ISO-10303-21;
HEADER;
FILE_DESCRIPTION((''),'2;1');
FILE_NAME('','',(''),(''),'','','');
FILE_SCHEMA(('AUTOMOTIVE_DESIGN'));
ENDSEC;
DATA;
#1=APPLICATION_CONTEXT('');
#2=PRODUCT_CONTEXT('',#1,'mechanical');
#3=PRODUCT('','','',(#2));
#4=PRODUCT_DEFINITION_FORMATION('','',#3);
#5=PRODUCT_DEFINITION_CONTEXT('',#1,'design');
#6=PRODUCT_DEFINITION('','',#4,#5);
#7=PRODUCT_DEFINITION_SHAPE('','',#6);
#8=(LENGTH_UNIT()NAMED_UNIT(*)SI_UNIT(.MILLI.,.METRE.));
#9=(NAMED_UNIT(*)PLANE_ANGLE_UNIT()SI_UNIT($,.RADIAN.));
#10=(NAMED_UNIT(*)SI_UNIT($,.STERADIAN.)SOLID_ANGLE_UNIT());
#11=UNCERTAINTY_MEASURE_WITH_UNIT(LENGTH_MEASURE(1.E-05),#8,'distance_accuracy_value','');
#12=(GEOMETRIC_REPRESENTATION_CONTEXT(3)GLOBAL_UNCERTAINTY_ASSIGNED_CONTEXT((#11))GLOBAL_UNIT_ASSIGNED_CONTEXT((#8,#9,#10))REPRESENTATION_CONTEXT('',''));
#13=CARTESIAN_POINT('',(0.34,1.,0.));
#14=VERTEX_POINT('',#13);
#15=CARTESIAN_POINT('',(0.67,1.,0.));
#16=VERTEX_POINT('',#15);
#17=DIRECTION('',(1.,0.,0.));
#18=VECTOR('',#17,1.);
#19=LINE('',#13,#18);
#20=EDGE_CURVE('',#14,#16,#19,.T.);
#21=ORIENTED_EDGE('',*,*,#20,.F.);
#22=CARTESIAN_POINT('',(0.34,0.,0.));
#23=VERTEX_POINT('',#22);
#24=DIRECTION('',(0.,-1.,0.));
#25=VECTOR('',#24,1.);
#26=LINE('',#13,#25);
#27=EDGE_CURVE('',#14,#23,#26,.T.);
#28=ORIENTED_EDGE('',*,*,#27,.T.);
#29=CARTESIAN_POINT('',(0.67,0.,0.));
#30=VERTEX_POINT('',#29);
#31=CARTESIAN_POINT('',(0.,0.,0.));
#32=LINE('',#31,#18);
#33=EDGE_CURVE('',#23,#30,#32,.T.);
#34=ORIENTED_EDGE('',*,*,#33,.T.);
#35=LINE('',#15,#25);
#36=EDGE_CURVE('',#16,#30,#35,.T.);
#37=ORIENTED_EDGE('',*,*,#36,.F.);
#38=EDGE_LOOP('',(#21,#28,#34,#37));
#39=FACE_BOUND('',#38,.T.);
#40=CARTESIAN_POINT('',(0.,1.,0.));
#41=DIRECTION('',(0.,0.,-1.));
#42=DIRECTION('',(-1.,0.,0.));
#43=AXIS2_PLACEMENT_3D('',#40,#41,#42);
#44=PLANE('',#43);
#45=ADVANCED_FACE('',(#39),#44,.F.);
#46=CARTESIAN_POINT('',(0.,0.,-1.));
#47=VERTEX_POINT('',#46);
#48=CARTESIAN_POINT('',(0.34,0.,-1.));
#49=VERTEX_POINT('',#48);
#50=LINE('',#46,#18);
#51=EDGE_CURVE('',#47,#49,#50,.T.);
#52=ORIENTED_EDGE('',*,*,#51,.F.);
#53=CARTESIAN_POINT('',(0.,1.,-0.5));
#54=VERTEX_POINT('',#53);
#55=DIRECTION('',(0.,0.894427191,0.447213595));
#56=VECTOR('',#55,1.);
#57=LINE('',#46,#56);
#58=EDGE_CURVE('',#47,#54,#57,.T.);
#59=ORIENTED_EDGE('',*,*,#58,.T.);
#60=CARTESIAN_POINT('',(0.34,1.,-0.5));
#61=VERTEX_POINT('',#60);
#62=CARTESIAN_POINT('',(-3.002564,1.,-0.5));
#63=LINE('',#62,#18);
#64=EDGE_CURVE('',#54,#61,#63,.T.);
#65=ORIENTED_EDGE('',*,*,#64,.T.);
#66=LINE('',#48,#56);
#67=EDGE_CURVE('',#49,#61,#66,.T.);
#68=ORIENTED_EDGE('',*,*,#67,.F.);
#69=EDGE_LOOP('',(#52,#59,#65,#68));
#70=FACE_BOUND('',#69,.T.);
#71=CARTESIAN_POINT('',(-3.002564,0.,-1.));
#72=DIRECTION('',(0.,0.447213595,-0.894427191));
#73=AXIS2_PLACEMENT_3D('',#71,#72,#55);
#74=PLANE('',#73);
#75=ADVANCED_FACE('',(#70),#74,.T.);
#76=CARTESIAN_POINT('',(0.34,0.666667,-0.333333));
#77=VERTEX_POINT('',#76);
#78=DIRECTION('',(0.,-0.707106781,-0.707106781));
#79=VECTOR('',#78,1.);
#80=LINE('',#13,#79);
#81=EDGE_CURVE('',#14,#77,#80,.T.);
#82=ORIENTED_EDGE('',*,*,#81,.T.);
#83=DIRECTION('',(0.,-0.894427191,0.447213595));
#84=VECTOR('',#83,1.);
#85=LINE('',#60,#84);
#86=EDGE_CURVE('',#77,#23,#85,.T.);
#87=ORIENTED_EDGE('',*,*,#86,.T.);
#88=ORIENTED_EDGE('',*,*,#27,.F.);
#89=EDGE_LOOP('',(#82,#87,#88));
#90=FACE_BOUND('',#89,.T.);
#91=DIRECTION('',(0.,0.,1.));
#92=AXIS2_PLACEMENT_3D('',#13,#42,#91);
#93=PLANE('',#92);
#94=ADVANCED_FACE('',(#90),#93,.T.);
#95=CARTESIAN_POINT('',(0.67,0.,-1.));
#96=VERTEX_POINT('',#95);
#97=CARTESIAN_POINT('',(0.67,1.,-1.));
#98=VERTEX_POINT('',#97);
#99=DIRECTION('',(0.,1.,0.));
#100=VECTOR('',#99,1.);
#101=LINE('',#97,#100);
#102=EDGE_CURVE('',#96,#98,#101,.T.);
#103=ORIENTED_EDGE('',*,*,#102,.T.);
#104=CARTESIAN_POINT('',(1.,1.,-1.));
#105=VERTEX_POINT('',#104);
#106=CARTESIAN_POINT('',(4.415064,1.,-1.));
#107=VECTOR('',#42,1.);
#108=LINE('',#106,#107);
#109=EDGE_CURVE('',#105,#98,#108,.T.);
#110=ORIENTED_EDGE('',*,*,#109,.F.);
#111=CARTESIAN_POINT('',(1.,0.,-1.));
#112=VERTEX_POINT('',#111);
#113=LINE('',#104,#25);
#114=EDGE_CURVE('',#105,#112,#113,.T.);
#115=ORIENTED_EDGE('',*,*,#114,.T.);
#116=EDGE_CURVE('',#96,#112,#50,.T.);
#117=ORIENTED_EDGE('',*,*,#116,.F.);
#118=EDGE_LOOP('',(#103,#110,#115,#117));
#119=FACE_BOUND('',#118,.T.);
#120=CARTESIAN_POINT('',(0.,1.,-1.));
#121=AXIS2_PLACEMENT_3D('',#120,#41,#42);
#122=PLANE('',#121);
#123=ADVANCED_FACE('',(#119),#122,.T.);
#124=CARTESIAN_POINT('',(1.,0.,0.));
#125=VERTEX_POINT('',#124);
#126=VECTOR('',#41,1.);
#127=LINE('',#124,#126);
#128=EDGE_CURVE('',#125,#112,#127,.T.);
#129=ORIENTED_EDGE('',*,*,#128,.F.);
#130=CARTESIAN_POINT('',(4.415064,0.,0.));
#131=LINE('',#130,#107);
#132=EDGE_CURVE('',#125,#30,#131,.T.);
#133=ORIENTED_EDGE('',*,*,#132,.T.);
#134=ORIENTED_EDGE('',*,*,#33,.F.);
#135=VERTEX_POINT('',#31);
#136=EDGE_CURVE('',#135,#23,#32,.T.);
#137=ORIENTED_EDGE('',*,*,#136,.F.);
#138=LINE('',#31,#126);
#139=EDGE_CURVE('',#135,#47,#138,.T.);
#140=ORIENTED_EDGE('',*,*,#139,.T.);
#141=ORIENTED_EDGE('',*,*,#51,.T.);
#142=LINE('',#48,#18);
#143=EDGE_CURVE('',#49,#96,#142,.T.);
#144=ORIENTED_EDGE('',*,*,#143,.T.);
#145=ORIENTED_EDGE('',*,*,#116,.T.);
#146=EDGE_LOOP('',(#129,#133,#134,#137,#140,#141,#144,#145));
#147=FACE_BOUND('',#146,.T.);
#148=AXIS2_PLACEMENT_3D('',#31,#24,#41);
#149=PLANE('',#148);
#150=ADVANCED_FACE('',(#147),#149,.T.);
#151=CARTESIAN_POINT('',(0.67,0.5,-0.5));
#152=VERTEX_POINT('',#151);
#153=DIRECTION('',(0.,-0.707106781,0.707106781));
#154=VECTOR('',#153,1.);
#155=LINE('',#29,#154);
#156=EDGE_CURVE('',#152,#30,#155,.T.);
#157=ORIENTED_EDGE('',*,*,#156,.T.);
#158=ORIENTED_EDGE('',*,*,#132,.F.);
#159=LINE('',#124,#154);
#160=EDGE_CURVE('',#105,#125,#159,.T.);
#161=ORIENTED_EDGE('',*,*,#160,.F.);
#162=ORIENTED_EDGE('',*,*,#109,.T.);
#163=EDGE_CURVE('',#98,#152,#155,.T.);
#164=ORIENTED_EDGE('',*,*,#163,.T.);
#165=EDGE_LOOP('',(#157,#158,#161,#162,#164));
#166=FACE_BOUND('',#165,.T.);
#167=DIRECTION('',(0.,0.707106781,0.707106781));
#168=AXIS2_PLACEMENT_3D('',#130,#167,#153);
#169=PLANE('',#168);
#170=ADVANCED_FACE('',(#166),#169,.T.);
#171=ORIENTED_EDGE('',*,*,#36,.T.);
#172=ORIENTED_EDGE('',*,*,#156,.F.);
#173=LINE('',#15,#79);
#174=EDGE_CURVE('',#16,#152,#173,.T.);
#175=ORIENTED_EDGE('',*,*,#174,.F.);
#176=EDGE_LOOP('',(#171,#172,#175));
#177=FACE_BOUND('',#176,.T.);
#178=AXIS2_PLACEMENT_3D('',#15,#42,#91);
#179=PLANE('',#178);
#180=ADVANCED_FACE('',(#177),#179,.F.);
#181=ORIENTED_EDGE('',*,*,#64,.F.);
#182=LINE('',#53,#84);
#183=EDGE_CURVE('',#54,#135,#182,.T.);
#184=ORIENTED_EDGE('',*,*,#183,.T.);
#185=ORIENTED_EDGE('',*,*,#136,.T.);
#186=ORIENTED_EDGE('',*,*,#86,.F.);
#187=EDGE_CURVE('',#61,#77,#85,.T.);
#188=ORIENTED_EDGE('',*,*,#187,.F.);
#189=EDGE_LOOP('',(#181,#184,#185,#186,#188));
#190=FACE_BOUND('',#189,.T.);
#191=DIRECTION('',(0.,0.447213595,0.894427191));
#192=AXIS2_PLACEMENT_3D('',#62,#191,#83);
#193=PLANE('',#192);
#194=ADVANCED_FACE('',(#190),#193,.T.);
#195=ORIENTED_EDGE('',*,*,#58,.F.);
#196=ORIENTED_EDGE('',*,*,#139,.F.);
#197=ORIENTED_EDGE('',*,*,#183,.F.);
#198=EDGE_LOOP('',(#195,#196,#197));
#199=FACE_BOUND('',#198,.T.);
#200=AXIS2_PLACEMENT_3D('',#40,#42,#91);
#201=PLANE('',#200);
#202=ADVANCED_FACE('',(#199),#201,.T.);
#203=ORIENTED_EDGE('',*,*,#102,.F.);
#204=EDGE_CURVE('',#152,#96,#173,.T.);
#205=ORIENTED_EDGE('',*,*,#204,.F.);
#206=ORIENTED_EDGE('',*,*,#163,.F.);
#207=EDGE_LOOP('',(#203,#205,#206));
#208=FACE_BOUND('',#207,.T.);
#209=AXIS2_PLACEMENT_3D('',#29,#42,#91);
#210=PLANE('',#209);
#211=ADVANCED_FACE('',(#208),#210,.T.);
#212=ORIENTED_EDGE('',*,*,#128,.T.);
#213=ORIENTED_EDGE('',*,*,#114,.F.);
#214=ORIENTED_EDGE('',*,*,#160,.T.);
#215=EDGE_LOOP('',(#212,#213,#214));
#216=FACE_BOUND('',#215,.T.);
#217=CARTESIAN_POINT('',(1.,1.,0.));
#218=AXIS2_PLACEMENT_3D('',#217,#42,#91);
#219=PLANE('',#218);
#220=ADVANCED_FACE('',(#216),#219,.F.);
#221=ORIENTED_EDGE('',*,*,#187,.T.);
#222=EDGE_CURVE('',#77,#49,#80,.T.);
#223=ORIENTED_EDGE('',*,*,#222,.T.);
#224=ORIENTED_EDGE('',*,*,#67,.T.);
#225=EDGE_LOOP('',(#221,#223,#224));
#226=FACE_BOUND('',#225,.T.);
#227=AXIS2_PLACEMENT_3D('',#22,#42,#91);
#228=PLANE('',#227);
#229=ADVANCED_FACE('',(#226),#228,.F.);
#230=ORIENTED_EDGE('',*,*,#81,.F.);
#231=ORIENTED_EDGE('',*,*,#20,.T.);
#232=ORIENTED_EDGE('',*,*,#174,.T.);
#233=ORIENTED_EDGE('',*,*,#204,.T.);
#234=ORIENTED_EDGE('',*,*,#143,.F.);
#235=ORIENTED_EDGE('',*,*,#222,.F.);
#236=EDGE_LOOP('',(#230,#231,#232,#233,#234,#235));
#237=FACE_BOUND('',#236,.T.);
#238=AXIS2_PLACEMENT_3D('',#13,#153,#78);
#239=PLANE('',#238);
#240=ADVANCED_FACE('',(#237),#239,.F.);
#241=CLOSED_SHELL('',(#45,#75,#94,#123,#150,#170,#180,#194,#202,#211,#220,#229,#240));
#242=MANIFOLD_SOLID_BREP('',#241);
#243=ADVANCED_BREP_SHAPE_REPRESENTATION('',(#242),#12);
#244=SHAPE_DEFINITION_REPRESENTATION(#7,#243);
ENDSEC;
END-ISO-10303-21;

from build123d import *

# Parameters (mm, degrees)
SKETCH1_W               = 1
SKETCH1_H               = 1
BOSS_EXTRUDE1_DEPTH     = 1
CUT_EXTRUDE1_DEPTH      = 2.732050808
CUT_EXTRUDE1_DEPTH_BACK = 0.33
CUT_EXTRUDE2_DEPTH      = 0.33
CUT_EXTRUDE3_DEPTH      = 2.732050808
CUT_EXTRUDE3_DEPTH_BACK = 0.34


with BuildPart() as part:
    # Sketch1 → Boss-Extrude1 (new body)
    with BuildSketch(Plane(origin=(0, 0, 0), x_dir=(1, 0, 0), z_dir=(0, 1, 0))):
        with Locations((0.5, 0.5)):
            Rectangle(SKETCH1_W, SKETCH1_H)
    extrude(amount=BOSS_EXTRUDE1_DEPTH)

    # Sketch2 → Cut-Extrude1 (cut, two sides: drawn at the far end of the back side and taken through both)
    with BuildSketch(Plane(origin=(1, 0, 0), x_dir=(0, 0, -1), z_dir=(1, 0, 0)).offset(-CUT_EXTRUDE1_DEPTH_BACK)):
        Polygon((-9.071067812, -9.071067812), (0, 0), (1, 1), (10.071067812, 10.071067812), (-8.071067812, 28.213203436), (-27.213203436, 9.071067812), align=None)
    extrude(amount=CUT_EXTRUDE1_DEPTH + CUT_EXTRUDE1_DEPTH_BACK, mode=Mode.SUBTRACT)

    # Sketch3 → Cut-Extrude2 (cut)
    with BuildSketch(Plane(origin=(0.67, 0, 0), x_dir=(0, 0, -1), z_dir=(1, 0, 0))):
        Polygon((0, 1), (1, 0), (1, 1), align=None)
    extrude(amount=-CUT_EXTRUDE2_DEPTH, mode=Mode.SUBTRACT)

    # Sketch5 → Cut-Extrude3 (cut, two sides: drawn at the far end of the back side and taken through both)
    with BuildSketch(Plane.ZY.offset(-CUT_EXTRUDE3_DEPTH_BACK)):
        Polygon((-6.737047019, -11.474094038), (-1, 0), (-0.5, 1), (0, 0), (5.737047019, -11.474094038), (5.737047019, 14.182760211), (-6.737047019, 14.182760211), align=None)
    extrude(amount=CUT_EXTRUDE3_DEPTH + CUT_EXTRUDE3_DEPTH_BACK, mode=Mode.SUBTRACT)


solid = part.part
